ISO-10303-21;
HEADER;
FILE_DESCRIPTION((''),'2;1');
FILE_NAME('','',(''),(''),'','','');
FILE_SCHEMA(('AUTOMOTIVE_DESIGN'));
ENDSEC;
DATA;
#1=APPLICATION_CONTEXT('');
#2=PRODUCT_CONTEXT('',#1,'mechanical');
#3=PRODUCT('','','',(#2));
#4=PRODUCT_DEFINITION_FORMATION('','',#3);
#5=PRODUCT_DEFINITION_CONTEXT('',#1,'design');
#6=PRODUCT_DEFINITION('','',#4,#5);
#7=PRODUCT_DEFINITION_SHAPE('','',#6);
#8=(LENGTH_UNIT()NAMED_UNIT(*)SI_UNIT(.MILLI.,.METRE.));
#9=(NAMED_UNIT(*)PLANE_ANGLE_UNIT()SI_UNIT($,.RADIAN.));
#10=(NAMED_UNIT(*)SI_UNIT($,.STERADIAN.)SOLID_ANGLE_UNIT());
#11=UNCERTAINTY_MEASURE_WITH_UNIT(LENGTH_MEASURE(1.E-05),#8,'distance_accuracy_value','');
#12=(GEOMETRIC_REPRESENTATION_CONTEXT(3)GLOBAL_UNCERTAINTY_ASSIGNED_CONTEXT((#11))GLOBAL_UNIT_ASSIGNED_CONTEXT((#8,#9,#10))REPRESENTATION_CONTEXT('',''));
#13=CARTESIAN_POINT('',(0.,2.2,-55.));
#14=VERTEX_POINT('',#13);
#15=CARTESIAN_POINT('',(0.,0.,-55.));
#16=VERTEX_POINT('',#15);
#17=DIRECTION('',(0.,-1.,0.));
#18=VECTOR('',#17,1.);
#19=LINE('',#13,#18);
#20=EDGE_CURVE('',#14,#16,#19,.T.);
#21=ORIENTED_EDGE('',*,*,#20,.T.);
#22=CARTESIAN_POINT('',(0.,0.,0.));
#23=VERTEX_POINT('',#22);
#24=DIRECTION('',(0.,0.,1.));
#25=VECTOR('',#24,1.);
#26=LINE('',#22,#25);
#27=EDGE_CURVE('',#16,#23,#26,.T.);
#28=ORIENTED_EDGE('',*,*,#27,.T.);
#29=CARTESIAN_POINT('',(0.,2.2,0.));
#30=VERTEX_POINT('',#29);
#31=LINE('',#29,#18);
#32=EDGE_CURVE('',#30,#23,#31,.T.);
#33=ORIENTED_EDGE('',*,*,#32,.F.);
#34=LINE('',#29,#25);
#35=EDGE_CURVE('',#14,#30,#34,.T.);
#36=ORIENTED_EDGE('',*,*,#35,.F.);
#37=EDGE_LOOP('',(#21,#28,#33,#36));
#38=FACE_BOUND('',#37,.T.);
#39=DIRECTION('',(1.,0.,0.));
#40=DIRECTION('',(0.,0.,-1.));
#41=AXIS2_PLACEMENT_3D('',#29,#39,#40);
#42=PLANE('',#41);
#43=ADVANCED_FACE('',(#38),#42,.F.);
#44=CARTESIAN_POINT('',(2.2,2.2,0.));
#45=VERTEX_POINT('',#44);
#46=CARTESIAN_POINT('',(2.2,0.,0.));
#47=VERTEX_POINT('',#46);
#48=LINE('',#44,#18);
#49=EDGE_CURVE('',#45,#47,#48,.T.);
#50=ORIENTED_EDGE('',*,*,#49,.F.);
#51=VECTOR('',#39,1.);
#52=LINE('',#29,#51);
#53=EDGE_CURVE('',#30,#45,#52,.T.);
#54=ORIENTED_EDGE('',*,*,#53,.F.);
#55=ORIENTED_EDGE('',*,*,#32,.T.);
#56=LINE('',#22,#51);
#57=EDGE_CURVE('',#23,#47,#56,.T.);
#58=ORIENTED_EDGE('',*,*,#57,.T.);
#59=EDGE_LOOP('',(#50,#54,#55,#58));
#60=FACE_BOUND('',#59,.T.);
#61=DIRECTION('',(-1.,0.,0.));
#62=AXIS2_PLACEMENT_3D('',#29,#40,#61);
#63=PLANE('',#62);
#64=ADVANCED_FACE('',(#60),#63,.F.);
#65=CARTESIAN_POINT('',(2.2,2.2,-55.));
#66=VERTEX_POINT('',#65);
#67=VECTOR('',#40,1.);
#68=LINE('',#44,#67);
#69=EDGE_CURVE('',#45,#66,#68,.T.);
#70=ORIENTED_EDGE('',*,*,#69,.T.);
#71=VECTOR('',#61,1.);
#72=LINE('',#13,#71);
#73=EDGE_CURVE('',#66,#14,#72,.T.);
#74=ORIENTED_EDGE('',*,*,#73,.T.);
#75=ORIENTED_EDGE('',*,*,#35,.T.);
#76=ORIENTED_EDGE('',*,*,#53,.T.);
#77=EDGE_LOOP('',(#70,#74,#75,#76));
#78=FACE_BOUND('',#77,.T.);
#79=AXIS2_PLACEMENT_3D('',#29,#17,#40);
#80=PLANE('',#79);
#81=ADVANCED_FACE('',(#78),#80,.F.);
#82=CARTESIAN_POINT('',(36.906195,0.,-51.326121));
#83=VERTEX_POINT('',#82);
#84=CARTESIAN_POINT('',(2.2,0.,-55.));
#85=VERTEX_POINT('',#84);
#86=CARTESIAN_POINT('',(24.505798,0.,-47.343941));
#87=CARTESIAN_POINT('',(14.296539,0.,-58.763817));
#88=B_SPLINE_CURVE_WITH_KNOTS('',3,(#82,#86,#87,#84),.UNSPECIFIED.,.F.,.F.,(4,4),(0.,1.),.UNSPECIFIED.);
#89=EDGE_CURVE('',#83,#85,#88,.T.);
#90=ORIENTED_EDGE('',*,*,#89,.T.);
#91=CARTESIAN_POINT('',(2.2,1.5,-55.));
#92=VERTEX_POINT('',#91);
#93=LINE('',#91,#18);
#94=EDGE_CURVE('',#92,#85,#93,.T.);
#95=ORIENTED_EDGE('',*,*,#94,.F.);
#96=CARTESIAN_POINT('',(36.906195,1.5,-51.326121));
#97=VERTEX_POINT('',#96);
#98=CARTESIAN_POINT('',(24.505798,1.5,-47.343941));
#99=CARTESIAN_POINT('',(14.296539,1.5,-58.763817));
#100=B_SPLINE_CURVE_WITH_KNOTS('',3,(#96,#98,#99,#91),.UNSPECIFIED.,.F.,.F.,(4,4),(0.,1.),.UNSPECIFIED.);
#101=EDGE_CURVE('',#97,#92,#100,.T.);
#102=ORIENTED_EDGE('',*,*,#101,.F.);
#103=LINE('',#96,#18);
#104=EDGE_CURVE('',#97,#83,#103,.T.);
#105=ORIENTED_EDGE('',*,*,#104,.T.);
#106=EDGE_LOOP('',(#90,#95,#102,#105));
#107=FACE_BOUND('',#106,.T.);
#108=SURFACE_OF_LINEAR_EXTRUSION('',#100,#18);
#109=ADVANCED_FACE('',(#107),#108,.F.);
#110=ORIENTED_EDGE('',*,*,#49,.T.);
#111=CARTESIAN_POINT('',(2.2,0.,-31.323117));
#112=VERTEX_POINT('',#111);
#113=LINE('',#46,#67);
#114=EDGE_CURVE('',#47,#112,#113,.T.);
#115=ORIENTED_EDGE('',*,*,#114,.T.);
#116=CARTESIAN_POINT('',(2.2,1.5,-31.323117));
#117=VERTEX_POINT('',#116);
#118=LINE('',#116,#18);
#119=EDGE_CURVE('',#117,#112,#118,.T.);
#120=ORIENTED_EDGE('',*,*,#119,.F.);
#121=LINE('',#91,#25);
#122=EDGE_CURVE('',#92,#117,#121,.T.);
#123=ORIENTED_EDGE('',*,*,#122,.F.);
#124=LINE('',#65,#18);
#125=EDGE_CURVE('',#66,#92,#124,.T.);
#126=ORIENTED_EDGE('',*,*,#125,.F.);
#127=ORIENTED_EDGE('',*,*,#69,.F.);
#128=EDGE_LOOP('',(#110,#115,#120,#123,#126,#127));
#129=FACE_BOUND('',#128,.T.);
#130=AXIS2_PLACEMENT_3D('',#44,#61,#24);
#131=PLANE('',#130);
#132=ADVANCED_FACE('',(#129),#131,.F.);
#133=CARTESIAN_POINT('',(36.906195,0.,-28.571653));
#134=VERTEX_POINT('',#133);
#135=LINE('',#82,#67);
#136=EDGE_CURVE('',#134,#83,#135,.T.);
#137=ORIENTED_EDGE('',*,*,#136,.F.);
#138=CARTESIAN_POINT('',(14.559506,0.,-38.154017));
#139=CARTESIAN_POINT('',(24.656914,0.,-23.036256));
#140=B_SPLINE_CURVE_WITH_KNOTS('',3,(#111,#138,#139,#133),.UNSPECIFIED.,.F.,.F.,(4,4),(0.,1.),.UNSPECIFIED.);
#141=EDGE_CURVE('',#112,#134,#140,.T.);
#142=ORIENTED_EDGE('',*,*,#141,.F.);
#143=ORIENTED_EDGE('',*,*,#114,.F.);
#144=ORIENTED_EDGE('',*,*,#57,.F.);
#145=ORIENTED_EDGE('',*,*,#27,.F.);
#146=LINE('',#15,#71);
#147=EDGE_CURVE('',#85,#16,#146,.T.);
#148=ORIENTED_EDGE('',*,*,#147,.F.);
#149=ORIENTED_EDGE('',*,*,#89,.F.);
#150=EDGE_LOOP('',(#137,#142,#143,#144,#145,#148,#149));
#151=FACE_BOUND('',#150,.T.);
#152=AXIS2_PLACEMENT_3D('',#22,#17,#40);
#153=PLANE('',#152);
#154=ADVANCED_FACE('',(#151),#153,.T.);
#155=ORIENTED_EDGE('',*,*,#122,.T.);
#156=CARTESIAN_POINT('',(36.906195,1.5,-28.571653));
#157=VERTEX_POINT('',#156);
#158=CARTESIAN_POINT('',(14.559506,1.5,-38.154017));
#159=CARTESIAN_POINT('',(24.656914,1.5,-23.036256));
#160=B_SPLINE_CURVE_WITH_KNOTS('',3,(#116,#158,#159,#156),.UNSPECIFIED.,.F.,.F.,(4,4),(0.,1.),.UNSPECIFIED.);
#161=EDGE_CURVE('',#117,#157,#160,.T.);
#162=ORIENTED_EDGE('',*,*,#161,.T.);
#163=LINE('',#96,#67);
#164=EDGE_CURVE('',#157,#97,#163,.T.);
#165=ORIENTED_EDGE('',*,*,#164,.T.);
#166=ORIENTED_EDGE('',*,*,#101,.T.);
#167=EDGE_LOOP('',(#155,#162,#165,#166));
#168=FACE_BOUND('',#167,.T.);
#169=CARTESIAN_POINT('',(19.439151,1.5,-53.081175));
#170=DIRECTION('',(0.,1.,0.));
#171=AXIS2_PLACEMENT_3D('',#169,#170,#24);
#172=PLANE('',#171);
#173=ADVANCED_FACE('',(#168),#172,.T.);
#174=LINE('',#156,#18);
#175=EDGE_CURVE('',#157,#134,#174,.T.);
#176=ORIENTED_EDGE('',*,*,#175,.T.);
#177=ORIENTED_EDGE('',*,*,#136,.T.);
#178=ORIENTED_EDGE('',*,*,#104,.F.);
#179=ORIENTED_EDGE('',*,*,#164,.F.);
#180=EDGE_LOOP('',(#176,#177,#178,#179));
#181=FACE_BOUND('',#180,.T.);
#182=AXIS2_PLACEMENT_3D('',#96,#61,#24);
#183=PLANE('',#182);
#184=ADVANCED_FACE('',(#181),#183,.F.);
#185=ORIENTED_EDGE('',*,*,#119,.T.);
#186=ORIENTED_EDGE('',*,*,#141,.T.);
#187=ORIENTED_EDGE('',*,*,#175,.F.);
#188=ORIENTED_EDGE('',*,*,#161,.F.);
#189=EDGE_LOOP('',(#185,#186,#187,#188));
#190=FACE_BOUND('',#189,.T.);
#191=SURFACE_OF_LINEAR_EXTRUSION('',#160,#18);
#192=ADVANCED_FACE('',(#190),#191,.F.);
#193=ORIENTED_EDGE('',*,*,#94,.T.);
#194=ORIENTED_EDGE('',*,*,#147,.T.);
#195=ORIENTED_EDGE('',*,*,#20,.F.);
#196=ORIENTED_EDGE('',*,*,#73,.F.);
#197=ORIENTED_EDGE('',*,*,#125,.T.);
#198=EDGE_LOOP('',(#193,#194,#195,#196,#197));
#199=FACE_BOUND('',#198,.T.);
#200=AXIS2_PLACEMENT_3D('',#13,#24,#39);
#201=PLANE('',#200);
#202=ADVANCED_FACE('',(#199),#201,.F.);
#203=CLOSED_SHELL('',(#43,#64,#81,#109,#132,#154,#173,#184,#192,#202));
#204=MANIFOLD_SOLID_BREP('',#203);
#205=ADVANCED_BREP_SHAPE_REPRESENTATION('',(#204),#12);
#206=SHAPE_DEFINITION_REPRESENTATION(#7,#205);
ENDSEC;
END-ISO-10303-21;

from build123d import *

# Parameters (mm, degrees)
SKETCH1_W           = 2.2
SKETCH1_H           = 55
BOSS_EXTRUDE1_DEPTH = 2.2
BOSS_EXTRUDE2_DEPTH = 1.5


with BuildPart() as part:
    # Sketch1 → Boss-Extrude1 (new body)
    with BuildSketch(Plane(origin=(0, 0, 0), x_dir=(1, 0, 0), z_dir=(0, 1, 0))):
        with Locations((1.1, 27.5)):
            Rectangle(SKETCH1_W, SKETCH1_H)
    extrude(amount=BOSS_EXTRUDE1_DEPTH)

    # Sketch2 → Boss-Extrude2 (add)
    with BuildSketch(Plane(origin=(0, 0, 0), x_dir=(1, 0, 0), z_dir=(0, 1, 0))):
        with BuildLine():
            Line((36.906195037, 51.326121053), (36.906195037, 28.571653378))
            add(Edge.make_bspline(
                [(2.2, 31.323116725), (14.559505751, 38.154017268), (24.656914199, 23.036255891), (36.906195037, 28.571653378)],
                knots=[0, 0, 0, 0, 1, 1, 1, 1], degree=3))
            Line((2.2, 31.323116725), (2.2, 55))
            add(Edge.make_bspline(
                [(2.2, 55), (14.296538577, 58.763817037), (24.50579778, 47.343941309), (36.906195037, 51.326121053)],
                knots=[0, 0, 0, 0, 1, 1, 1, 1], degree=3))
        make_face()
    extrude(amount=BOSS_EXTRUDE2_DEPTH)


solid = part.part
